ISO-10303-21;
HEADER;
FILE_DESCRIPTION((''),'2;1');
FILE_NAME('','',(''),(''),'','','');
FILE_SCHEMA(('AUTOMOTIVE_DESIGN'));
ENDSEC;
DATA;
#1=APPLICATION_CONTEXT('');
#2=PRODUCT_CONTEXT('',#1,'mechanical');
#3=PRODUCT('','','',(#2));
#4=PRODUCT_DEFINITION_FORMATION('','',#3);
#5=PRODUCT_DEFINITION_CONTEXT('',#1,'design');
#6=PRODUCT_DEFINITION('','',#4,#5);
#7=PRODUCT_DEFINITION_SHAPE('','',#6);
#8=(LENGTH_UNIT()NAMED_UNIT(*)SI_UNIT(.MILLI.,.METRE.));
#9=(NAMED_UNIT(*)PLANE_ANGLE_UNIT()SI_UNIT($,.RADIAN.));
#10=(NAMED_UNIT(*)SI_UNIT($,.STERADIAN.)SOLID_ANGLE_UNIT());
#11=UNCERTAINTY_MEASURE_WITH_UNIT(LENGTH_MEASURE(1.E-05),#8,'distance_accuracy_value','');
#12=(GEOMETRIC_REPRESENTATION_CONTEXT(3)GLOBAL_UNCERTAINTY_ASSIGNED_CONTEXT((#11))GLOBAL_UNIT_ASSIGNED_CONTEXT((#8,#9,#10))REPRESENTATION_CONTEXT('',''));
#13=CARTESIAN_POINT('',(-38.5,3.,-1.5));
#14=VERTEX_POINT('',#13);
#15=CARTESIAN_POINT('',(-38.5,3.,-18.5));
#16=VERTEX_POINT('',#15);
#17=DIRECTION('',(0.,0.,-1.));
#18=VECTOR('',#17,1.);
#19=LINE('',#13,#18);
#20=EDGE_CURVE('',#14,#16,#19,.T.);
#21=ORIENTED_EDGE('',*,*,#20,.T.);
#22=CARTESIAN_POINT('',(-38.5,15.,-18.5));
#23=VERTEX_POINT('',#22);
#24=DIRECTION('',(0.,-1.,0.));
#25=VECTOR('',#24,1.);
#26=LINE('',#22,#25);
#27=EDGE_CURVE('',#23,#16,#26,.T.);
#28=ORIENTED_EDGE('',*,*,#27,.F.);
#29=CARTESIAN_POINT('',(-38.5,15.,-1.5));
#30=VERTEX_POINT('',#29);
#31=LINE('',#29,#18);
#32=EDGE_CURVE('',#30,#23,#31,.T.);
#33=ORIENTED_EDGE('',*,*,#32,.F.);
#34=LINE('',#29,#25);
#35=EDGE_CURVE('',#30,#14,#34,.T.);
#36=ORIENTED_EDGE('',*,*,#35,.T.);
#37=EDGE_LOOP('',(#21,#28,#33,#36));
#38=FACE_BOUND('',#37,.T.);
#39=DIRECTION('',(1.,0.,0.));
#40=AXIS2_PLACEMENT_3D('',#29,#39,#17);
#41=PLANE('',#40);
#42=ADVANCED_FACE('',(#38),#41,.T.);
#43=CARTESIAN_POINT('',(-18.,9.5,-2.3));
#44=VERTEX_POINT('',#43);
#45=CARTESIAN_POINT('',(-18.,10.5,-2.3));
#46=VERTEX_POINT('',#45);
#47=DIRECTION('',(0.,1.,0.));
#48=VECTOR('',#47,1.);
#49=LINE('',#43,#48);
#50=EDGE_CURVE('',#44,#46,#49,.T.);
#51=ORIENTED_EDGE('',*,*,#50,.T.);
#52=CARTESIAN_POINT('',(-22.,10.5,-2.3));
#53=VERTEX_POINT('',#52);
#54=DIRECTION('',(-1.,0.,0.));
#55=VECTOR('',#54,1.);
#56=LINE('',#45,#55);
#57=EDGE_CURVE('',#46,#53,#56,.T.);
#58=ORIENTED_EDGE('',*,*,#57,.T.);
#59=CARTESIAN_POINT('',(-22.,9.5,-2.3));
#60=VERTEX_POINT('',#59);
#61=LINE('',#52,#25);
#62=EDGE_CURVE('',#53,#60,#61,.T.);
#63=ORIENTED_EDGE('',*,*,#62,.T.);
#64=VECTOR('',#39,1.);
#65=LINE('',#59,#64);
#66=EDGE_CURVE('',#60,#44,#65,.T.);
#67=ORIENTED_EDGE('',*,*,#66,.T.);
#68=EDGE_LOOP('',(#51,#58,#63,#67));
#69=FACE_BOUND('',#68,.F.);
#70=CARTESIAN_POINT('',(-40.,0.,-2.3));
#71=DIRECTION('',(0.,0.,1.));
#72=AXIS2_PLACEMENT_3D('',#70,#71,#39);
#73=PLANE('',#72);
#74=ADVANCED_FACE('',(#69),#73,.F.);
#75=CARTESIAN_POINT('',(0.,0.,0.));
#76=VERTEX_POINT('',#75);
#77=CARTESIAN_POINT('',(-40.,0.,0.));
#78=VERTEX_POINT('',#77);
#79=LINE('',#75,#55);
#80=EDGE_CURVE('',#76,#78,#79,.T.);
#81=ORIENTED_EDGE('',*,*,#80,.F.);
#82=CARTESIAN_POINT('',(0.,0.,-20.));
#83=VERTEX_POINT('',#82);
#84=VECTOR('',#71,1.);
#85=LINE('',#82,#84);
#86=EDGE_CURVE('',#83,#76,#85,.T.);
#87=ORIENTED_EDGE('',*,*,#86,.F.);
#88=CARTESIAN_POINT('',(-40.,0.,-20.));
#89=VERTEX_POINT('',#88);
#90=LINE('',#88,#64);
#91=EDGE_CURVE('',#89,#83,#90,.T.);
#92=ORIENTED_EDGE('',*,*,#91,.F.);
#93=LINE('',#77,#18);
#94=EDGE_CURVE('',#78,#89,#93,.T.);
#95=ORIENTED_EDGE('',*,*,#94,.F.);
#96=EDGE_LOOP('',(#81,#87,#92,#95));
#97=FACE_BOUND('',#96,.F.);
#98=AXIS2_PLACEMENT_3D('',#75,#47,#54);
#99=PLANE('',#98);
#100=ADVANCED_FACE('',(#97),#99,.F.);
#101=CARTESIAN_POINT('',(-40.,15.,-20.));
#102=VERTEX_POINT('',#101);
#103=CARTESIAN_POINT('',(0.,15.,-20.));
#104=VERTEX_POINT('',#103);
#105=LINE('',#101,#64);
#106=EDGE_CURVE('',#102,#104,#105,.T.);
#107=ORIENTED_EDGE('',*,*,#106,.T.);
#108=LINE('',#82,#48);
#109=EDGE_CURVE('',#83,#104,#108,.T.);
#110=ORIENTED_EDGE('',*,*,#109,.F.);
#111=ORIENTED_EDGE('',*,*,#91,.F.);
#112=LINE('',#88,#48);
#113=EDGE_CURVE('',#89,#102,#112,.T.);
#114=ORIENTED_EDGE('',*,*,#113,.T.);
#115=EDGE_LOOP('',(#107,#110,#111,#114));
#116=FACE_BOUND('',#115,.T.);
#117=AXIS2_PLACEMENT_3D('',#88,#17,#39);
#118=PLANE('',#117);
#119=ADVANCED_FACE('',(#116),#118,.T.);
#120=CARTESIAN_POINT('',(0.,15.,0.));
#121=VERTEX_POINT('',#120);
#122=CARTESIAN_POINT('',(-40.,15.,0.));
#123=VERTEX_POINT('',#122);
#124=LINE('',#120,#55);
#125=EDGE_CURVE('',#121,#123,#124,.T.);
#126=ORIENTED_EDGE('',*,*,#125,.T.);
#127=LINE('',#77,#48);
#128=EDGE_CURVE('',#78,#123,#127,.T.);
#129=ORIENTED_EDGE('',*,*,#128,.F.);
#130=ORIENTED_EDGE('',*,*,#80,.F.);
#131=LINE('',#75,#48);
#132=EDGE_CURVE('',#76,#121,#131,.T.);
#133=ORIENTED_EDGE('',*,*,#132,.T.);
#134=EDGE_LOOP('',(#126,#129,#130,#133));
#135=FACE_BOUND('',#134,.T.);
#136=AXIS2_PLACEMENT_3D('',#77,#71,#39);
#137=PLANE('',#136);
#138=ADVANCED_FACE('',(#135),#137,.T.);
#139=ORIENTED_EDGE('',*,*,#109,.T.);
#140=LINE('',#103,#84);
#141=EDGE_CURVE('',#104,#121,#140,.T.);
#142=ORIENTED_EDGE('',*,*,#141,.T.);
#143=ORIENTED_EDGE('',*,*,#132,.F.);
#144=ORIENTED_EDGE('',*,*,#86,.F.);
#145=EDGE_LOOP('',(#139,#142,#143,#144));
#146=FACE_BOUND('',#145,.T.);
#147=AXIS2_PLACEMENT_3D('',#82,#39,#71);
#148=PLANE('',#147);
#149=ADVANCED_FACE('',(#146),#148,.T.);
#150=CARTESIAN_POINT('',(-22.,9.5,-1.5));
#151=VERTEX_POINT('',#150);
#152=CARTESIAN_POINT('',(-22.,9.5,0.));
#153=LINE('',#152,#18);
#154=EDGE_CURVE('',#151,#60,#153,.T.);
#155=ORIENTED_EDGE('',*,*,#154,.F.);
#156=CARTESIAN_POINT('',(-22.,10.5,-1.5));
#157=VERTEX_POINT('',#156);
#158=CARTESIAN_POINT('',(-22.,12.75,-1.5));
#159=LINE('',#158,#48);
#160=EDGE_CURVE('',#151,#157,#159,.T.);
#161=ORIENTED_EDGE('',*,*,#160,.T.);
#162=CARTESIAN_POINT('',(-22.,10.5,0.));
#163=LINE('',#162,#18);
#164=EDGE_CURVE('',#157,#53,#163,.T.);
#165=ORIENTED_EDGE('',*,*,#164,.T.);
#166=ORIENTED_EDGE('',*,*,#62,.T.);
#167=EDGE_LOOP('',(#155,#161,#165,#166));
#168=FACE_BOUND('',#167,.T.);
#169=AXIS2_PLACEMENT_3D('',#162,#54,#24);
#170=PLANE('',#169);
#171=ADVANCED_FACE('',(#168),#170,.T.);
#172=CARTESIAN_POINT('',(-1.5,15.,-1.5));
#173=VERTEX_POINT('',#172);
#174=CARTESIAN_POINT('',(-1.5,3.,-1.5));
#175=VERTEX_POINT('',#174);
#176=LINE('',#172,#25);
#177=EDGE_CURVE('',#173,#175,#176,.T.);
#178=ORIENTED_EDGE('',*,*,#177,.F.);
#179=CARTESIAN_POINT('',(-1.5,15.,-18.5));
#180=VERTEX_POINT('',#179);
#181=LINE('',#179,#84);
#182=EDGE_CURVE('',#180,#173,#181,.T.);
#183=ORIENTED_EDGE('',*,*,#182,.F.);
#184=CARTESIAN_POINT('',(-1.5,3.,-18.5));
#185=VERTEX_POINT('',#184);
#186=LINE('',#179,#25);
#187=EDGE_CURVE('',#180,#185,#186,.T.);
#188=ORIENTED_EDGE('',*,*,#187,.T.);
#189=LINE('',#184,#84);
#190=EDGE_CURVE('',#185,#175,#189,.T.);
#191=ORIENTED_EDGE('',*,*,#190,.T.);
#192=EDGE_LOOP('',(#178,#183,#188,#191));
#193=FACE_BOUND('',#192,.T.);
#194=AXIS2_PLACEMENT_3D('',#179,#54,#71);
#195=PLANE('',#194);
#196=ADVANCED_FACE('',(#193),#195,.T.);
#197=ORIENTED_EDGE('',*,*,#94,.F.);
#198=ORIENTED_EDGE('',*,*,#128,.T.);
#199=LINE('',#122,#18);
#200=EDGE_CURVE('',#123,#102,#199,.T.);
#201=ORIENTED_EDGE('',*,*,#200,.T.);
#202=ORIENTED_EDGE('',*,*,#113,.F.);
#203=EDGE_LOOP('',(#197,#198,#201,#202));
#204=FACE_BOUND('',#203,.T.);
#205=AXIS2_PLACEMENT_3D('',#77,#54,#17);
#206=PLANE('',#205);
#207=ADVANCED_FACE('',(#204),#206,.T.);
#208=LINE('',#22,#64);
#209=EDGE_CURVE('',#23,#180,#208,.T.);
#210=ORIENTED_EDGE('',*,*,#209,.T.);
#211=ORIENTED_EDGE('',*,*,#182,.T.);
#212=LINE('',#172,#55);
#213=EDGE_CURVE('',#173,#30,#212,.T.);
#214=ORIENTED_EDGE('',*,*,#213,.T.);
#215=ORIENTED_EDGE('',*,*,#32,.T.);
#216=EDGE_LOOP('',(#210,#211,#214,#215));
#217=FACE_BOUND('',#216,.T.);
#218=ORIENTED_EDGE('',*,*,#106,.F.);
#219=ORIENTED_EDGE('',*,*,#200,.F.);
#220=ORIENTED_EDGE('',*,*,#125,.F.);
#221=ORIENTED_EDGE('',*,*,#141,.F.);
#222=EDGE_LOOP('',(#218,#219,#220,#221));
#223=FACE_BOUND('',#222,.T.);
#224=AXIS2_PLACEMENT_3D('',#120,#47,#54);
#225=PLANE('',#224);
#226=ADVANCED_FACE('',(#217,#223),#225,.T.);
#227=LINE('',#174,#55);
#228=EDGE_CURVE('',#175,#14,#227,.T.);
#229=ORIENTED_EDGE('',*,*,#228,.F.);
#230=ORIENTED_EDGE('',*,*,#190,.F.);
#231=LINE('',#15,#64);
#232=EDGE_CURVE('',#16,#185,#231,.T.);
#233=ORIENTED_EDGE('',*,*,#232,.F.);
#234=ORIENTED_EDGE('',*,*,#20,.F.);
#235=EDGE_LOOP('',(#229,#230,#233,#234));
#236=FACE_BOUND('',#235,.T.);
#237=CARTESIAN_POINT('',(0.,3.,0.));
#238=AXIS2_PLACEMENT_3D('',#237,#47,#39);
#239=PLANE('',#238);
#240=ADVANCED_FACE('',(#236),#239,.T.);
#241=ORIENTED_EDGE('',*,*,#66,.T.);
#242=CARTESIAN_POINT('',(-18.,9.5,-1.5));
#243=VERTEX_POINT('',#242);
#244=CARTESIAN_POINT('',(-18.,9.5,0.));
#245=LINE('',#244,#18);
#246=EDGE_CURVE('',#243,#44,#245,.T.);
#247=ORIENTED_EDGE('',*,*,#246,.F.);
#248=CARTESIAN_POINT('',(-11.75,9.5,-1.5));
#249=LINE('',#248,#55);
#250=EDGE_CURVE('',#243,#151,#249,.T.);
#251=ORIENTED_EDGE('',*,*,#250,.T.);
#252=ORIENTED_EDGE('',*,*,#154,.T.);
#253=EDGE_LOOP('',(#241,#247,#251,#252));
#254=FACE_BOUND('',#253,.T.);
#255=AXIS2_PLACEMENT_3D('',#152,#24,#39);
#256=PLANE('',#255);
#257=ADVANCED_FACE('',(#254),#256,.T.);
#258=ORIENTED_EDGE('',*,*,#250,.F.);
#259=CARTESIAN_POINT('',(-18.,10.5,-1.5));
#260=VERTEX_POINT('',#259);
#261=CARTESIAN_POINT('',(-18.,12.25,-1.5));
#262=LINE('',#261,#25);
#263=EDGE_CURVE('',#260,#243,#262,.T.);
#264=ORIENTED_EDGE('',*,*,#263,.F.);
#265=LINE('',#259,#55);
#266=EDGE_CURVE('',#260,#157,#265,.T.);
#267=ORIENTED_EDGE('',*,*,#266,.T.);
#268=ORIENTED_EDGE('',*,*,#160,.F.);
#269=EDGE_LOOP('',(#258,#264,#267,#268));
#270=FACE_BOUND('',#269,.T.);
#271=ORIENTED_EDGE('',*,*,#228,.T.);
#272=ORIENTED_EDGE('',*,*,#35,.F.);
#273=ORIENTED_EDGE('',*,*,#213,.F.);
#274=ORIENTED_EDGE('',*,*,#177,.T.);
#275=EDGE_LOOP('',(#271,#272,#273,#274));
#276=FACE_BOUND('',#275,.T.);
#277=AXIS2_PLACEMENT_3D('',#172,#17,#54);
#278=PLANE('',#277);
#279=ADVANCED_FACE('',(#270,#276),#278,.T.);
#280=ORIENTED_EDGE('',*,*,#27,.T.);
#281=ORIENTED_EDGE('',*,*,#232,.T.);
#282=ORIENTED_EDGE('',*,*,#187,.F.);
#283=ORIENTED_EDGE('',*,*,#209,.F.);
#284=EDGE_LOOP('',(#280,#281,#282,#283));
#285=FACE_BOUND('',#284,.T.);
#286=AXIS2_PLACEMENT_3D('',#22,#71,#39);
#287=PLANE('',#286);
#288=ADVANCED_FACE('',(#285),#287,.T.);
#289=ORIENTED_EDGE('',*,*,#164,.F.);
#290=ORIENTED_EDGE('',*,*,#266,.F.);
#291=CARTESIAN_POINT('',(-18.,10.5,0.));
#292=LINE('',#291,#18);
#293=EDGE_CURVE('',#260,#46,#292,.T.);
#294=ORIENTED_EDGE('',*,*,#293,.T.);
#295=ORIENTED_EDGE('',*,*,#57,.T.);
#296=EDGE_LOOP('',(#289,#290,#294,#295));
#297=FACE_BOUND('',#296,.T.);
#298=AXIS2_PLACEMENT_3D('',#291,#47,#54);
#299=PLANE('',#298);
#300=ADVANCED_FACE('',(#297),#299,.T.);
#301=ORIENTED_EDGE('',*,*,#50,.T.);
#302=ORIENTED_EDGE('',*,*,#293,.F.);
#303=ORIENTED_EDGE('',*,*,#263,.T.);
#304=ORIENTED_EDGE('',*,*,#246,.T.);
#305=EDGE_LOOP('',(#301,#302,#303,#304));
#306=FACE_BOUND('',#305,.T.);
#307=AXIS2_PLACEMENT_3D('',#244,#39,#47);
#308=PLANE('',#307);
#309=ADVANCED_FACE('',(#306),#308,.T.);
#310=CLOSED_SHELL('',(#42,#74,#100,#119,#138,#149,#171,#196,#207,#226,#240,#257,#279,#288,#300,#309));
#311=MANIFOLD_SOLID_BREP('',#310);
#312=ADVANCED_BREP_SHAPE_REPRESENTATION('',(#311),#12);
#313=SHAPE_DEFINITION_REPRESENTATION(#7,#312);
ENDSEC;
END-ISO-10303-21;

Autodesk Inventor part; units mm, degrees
ref_plane "YZ Plane" through (0, 0, 0) normal (1, 0, 0) x (0, 1, 0)
ref_plane "XZ Plane" through (0, 0, 0) normal (0, 1, 0) x (-1, 0, 0)
ref_plane "XY Plane" through (0, 0, 0) normal (0, 0, 1) x (1, 0, 0)
sketch "Szkic1" plane through (0, 0, 0) normal (0, 1, 0) x (-1, 0, 0)
  line L0 (0, 0) -> (40, 0)
  line L1 (40, 0) -> (40, -20)
  line L2 (40, -20) -> (0, -20)
  line L3 (0, -20) -> (0, 0)
  dimension "d0" = 40
  dimension "d1" = 20
extrude "Wyciągnięcie proste1" add sketch "Szkic1" along normal blind 15
sketch "Szkic2" plane through (0, 15, 0) normal (0, 1, 0) x (1, 0, 0)
  line L0 (-40, 0) -> (0, 0) construction
  line L1 (0, 0) -> (0, 1.5) construction
  line L2 (0, 0) -> (0, 20) construction
  line L3 (0, 1.5) -> (-1.5, 1.5) construction
  line L4 (-1.5, 1.5) -> (-38.5, 1.5)
  line L5 (-38.5, 1.5) -> (-38.5, 18.5)
  line L6 (-38.5, 18.5) -> (-1.5, 18.5)
  line L7 (-1.5, 18.5) -> (-1.5, 1.5)
  dimension "d4" = 1.5
  dimension "d5" = 1.5
  dimension "d6" = 37
  dimension "d7" = 17
extrude "Wyciągnięcie proste2" cut sketch "Szkic2" against normal blind 12
sketch "Szkic3" plane through (-40, 0, 0) normal (0, 0, 1) x (1, 0, 0)
  line L0 (1.5, 3) -> (38.5, 3) projected
  line L1 (38.5, 15) -> (38.5, 3) projected
  line L2 (1.5, 3) -> (38.5, 3)
  line L3 (38.5, 3) -> (38.5, 15)
  line L4 (1.5, 15) -> (1.5, 3)
  line L5 (1.5, 15) -> (1.5, 3) construction
  line L6 (38.5, 15) -> (20, 15)
  line L7 (0, 15) -> (40, 15) projected
  line L8 (20, 15) -> (20, 10)
  line L9 (18, 9.5) -> (22, 9.5)
  line L10 (22, 9.5) -> (22, 10.5)
  line L11 (22, 10.5) -> (18, 10.5)
  line L12 (18, 10.5) -> (18, 9.5)
  line L13 (18, 9.5) -> (22, 10.5) construction
  line L14 (22, 9.5) -> (18, 10.5) construction
  point P0 (40, 0)
  dimension "d13" = 5
  dimension "d14" = 4
  dimension "d15" = 1
extrude "Wyciągnięcie proste3" add sketch "Szkic3" against normal blind 2.3 contours L11 L10 L9 L12
equation "\"d6\" = d0 - 2 * d5"
equation "\"d7\" = d1 - 2 * d5"
properties part number "obudowa_latarka_gora"
